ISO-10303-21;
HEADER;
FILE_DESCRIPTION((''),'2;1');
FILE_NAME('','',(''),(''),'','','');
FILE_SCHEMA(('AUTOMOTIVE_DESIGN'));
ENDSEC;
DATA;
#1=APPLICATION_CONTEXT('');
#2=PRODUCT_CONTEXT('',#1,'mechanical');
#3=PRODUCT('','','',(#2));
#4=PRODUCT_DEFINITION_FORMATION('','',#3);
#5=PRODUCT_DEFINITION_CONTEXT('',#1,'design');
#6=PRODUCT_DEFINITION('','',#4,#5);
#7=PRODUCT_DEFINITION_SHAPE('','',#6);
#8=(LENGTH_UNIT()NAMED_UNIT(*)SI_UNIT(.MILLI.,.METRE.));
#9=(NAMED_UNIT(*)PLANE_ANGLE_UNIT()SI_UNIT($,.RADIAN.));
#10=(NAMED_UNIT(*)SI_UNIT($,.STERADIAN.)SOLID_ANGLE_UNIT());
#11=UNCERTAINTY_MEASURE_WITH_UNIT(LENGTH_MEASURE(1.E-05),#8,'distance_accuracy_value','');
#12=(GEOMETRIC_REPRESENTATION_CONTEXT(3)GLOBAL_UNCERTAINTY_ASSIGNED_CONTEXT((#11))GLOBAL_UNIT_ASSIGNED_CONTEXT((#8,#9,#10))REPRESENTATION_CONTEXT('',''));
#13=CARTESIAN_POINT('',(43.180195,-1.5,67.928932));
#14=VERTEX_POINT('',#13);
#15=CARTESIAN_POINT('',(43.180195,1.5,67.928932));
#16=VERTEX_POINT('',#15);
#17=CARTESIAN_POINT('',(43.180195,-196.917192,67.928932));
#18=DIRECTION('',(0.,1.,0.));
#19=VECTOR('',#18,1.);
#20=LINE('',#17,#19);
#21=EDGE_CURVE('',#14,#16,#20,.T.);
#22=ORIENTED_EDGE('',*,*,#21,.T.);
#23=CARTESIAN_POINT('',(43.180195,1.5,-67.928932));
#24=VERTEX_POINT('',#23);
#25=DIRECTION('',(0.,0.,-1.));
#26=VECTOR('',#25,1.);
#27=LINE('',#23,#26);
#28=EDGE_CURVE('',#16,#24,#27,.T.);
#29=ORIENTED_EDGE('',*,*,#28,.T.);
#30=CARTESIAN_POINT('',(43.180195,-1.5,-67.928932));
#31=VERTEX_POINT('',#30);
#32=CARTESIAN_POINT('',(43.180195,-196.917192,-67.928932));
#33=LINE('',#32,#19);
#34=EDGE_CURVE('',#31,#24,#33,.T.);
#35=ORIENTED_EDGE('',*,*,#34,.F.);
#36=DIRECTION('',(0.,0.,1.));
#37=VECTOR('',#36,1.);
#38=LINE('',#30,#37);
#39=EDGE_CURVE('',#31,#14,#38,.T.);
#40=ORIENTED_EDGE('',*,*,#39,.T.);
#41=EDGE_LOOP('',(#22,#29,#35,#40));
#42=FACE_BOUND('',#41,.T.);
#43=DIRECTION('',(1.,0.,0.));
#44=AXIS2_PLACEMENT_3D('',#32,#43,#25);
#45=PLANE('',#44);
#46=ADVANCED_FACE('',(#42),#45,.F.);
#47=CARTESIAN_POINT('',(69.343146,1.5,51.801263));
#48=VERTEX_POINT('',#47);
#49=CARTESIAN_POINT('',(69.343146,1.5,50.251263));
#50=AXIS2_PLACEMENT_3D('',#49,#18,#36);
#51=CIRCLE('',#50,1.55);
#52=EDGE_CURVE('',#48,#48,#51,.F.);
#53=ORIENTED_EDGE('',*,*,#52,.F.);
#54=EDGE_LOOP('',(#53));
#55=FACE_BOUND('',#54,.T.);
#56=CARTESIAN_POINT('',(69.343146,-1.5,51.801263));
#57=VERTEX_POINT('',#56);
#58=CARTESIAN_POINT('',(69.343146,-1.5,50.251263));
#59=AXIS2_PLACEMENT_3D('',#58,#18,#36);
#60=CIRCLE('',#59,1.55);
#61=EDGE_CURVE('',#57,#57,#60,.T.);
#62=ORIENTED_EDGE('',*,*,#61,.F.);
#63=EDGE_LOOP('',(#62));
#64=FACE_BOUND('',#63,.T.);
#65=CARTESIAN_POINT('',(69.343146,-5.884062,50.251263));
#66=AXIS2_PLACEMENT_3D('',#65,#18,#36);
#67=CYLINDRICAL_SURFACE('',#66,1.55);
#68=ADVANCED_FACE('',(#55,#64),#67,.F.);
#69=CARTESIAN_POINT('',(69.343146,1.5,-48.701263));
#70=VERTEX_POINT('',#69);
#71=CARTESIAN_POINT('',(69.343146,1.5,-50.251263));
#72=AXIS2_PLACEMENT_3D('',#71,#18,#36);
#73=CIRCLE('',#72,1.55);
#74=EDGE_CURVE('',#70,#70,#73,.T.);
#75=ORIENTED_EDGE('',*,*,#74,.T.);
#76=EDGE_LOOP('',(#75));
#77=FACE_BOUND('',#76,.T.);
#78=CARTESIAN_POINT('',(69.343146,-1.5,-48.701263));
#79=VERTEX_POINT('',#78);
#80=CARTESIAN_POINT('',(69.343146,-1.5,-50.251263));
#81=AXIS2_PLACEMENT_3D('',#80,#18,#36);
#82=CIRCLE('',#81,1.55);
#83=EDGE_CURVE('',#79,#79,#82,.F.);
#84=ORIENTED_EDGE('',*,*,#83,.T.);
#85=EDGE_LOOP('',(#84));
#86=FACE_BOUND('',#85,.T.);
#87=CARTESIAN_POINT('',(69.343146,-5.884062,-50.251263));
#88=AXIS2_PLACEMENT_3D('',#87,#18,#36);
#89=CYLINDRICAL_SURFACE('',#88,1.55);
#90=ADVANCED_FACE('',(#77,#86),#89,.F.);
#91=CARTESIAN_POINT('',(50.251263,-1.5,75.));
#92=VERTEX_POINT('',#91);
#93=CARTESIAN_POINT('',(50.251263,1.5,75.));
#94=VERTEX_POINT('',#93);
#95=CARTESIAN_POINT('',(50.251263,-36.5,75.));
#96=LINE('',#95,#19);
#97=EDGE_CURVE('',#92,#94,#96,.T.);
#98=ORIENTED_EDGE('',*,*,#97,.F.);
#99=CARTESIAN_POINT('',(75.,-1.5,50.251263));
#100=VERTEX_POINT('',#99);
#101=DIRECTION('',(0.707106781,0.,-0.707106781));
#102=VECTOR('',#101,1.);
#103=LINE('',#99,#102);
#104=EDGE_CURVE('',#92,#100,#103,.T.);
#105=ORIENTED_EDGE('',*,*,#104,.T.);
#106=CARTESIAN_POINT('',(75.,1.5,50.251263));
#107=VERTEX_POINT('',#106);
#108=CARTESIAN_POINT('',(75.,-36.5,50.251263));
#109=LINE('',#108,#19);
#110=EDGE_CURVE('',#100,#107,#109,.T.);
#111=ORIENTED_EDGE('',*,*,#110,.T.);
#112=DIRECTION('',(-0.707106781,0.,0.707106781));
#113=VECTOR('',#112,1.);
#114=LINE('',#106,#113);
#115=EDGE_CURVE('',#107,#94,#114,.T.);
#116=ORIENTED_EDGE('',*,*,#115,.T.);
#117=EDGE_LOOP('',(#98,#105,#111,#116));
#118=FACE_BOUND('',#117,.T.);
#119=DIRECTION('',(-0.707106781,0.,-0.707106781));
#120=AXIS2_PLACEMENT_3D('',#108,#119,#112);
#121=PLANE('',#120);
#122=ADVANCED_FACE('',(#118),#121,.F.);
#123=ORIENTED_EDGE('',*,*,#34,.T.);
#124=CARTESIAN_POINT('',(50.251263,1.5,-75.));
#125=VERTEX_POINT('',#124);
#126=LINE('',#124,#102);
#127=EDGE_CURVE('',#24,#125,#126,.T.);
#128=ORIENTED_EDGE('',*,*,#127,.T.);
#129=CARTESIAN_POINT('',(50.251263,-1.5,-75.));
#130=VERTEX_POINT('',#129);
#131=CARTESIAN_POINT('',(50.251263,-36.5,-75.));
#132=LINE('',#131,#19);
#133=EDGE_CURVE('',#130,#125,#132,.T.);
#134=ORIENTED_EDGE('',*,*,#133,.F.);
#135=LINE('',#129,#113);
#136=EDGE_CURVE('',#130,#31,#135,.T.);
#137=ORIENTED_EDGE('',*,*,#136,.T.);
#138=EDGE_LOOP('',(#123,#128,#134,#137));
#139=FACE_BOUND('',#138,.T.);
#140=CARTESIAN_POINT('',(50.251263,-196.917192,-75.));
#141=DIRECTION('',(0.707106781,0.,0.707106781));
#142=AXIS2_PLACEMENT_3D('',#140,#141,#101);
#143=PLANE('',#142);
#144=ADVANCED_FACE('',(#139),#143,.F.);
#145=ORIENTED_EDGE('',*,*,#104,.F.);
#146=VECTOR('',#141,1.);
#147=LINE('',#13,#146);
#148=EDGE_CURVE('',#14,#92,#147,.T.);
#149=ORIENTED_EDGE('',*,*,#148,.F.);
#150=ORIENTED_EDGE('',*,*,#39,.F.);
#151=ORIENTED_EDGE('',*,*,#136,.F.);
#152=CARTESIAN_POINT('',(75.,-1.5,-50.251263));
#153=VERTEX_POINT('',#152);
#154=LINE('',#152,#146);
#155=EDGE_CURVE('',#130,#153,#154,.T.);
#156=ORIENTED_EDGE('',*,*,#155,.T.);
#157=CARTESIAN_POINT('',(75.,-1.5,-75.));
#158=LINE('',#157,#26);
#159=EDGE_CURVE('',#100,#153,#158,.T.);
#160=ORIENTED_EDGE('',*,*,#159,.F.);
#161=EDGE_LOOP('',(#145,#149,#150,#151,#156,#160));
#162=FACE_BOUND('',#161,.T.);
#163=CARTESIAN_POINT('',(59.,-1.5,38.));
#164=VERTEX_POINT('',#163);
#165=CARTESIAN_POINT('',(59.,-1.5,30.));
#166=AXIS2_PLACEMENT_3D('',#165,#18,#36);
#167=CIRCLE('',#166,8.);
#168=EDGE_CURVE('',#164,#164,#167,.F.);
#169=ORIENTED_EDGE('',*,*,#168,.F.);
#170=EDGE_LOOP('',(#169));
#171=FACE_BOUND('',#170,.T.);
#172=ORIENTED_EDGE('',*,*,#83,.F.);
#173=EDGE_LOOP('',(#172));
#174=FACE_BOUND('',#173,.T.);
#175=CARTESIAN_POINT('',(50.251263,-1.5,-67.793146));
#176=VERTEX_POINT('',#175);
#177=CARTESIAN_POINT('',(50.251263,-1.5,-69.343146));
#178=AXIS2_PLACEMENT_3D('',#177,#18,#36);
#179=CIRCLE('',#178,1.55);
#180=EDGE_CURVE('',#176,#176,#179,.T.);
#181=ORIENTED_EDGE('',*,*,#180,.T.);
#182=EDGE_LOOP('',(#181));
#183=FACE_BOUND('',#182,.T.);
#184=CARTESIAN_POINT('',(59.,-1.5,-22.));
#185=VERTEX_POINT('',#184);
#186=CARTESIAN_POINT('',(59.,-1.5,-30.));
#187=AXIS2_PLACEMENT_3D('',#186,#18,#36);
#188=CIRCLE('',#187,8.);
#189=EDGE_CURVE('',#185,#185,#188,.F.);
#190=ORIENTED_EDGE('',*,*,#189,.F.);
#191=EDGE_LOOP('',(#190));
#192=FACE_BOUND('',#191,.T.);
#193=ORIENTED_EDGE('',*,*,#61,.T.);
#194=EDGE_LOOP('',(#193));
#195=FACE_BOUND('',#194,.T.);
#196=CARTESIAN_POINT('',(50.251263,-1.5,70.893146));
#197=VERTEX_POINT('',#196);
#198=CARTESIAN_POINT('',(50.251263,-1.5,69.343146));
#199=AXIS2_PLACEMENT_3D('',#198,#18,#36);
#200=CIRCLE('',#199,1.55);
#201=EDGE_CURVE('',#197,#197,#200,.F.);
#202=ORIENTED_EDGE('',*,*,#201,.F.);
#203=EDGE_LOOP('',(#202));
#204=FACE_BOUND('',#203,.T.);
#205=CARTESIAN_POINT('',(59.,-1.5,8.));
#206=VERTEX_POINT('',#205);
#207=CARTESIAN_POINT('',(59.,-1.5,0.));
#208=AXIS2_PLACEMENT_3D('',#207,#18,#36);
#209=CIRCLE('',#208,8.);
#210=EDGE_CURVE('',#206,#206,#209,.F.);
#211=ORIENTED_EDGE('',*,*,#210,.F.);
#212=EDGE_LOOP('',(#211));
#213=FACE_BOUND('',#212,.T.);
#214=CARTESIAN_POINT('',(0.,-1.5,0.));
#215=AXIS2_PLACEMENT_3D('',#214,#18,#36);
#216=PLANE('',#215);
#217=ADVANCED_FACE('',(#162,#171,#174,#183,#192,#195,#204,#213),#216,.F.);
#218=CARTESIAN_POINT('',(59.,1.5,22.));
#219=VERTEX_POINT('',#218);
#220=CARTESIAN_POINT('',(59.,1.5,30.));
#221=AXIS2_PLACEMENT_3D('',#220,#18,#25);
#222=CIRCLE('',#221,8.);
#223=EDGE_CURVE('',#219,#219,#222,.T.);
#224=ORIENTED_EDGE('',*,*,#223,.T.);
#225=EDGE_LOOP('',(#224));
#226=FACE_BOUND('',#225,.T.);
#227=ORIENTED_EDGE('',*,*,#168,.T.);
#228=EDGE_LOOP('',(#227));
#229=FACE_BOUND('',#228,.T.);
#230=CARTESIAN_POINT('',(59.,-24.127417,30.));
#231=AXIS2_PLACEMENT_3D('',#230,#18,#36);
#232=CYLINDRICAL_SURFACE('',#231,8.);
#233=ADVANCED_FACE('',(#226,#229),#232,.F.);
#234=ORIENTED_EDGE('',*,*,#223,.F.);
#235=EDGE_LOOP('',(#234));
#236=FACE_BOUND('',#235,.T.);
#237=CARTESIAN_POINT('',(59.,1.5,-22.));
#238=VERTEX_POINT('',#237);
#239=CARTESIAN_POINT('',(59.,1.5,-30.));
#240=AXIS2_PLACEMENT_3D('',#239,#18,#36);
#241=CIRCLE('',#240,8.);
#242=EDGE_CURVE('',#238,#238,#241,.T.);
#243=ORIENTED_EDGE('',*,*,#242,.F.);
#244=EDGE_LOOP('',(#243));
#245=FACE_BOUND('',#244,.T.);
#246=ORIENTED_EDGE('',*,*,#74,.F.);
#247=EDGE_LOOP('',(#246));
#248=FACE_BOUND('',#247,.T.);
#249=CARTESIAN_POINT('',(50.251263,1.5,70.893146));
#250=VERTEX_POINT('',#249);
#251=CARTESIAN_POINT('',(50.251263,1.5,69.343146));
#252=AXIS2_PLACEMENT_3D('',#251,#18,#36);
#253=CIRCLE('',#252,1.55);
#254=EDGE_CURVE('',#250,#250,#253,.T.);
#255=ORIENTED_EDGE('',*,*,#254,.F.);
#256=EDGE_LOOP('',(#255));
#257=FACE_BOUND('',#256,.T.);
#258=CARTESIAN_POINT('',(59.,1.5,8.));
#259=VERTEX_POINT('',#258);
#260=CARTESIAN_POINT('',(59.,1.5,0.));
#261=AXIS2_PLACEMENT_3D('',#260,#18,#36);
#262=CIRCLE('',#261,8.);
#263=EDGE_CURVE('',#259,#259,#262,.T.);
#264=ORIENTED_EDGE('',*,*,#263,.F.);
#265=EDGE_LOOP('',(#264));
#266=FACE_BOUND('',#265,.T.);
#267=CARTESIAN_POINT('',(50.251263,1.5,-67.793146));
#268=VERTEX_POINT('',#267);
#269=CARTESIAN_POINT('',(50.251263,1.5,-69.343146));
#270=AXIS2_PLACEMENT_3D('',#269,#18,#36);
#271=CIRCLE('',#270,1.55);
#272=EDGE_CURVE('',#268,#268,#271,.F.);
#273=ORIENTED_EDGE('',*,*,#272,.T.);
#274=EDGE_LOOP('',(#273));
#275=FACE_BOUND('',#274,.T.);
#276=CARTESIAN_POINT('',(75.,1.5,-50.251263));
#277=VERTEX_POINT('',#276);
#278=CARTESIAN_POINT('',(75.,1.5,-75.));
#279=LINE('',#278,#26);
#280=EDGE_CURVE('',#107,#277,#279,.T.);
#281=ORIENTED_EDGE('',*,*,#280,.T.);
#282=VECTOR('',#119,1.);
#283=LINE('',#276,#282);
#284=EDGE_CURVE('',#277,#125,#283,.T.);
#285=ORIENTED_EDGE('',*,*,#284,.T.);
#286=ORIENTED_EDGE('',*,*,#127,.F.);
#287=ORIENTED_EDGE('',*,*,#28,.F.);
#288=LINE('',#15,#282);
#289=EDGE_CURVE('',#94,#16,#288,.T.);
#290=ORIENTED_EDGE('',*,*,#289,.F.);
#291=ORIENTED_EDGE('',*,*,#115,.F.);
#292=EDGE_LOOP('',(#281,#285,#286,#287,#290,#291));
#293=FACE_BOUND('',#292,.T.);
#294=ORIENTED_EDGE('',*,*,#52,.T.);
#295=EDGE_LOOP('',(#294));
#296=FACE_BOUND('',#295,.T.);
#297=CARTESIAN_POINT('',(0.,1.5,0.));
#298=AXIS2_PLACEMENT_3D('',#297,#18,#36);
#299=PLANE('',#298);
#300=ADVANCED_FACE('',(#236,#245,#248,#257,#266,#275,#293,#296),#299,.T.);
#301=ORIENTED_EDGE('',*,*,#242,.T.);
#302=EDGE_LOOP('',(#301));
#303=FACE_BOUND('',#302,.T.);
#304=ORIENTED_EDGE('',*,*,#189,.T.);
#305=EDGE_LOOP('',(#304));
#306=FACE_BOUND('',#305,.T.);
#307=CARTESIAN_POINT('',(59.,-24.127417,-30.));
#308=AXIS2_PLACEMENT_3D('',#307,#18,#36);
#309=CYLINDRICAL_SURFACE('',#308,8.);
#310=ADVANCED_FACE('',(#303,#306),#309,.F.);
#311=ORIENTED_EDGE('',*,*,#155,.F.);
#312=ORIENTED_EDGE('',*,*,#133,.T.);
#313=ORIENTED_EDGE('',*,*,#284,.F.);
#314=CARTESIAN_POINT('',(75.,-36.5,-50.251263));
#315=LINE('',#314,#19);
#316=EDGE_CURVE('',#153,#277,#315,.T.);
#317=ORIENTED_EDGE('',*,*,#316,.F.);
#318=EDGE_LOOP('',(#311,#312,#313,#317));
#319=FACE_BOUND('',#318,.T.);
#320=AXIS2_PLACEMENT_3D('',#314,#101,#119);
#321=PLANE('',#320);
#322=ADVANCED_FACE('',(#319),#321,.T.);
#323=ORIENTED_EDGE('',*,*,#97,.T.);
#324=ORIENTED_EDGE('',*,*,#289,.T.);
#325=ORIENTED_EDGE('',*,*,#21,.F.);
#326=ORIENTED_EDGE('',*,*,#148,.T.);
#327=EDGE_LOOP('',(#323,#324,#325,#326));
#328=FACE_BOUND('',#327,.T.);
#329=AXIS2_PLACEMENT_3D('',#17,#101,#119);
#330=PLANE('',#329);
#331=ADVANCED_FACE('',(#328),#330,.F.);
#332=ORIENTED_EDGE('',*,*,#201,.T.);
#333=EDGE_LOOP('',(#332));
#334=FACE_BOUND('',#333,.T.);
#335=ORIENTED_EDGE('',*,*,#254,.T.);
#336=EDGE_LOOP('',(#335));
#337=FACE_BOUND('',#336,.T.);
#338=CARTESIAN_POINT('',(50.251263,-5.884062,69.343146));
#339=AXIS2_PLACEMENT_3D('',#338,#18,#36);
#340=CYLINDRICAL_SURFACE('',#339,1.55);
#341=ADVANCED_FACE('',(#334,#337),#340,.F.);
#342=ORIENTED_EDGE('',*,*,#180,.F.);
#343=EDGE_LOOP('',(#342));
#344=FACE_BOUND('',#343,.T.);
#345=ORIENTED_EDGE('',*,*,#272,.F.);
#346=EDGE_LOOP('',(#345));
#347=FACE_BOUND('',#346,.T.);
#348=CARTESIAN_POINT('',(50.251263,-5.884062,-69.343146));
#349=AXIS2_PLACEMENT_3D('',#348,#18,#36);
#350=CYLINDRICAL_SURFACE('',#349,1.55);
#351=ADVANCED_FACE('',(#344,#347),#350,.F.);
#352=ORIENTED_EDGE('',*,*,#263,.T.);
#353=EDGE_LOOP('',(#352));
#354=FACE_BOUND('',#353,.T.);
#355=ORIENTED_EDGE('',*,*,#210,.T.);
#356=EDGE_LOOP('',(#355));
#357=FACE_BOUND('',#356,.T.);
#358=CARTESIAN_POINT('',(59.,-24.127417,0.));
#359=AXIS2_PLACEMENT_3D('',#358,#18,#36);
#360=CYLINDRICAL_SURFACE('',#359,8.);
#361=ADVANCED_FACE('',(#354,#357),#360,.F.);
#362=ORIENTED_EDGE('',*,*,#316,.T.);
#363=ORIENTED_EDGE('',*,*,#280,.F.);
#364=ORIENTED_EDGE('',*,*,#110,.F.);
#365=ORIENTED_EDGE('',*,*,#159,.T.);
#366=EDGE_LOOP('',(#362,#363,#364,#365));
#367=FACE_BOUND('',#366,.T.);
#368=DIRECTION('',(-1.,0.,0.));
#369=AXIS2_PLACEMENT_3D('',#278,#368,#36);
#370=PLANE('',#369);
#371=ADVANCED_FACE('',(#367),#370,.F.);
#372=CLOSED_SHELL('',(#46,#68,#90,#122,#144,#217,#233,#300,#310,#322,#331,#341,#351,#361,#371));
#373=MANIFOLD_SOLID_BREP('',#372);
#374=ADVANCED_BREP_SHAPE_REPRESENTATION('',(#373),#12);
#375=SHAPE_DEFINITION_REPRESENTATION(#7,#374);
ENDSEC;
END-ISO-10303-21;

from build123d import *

# Parameters (mm, degrees)
SKETCH1_W           = 150
SKETCH1_H           = 150
BOSS_EXTRUDE1_DEPTH = 1.5
CUT_EXTRUDE1_DEPTH  = 3
SKETCH3_R           = 1.55
CUT_EXTRUDE2_DEPTH  = 3
CUT_EXTRUDE3_DEPTH  = 3
SKETCH5_R           = 8
CUT_EXTRUDE4_DEPTH  = 3


with BuildPart() as part:
    # Sketch1 → Boss-Extrude1 (new body, symmetric)
    with BuildSketch(Plane(origin=(0, 0, 0), x_dir=(1, 0, 0), z_dir=(0, 1, 0))):
        Rectangle(SKETCH1_W, SKETCH1_H)
    extrude(amount=BOSS_EXTRUDE1_DEPTH, both=True)

    # Sketch2 → Cut-Extrude1 (cut)
    with BuildSketch(Plane(origin=(0, 1.5, 0), x_dir=(1, 0, 0), z_dir=(0, 1, 0))):
        Polygon((50.251262658, 75), (75, 75), (75, 50.251262658), align=None)
        Polygon((-75, 75), (-75, 50.251262658), (-50.251262658, 75), align=None)
        Polygon((-50.251262658, -75), (-75, -75), (-75, -50.251262658), align=None)
        Polygon((75, -75), (75, -50.251262658), (50.251262658, -75), align=None)
    extrude(amount=-CUT_EXTRUDE1_DEPTH, mode=Mode.SUBTRACT)

    # Sketch3 → Cut-Extrude2 (cut)
    with BuildSketch(Plane(origin=(0, 1.5, 0), x_dir=(1, 0, 0), z_dir=(0, 1, 0))):
        with Locations((69.343145751, 50.251262658)):
            Circle(SKETCH3_R)
        with Locations((50.251262658, 69.343145751)):
            Circle(SKETCH3_R)
        with Locations((-69.343145751, 50.251262658)):
            Circle(SKETCH3_R)
        with Locations((-50.251262658, 69.343145751)):
            Circle(SKETCH3_R)
        with Locations((-69.343145751, -50.251262658)):
            Circle(SKETCH3_R)
        with Locations((-50.251262658, -69.343145751)):
            Circle(SKETCH3_R)
        with Locations((69.343145751, -50.251262658)):
            Circle(SKETCH3_R)
        with Locations((50.251262658, -69.343145751)):
            Circle(SKETCH3_R)
    extrude(amount=-CUT_EXTRUDE2_DEPTH, mode=Mode.SUBTRACT)

    # Sketch4 → Cut-Extrude3 (cut)
    with BuildSketch(Plane(origin=(0, 1.5, 0), x_dir=(1, 0, 0), z_dir=(0, 1, 0))):
        Polygon((50.251262658, 75), (-50.251262658, 75), (-75, 50.251262658), (-75, -50.251262658), (-50.251262658, -75), (50.251262658, -75), (43.180194847, -67.928932188), (43.180194847, 67.928932188), align=None)
    extrude(amount=-CUT_EXTRUDE3_DEPTH, mode=Mode.SUBTRACT)

    # Sketch5 → Cut-Extrude4 (cut)
    with BuildSketch(Plane(origin=(0, 1.5, 0), x_dir=(1, 0, 0), z_dir=(0, 1, 0))):
        with Locations((59, 0)):
            Circle(SKETCH5_R)
        with Locations((59, 30)):
            Circle(SKETCH5_R)
        with Locations((59, -30)):
            Circle(SKETCH5_R)
    extrude(amount=-CUT_EXTRUDE4_DEPTH, mode=Mode.SUBTRACT)


solid = part.part
